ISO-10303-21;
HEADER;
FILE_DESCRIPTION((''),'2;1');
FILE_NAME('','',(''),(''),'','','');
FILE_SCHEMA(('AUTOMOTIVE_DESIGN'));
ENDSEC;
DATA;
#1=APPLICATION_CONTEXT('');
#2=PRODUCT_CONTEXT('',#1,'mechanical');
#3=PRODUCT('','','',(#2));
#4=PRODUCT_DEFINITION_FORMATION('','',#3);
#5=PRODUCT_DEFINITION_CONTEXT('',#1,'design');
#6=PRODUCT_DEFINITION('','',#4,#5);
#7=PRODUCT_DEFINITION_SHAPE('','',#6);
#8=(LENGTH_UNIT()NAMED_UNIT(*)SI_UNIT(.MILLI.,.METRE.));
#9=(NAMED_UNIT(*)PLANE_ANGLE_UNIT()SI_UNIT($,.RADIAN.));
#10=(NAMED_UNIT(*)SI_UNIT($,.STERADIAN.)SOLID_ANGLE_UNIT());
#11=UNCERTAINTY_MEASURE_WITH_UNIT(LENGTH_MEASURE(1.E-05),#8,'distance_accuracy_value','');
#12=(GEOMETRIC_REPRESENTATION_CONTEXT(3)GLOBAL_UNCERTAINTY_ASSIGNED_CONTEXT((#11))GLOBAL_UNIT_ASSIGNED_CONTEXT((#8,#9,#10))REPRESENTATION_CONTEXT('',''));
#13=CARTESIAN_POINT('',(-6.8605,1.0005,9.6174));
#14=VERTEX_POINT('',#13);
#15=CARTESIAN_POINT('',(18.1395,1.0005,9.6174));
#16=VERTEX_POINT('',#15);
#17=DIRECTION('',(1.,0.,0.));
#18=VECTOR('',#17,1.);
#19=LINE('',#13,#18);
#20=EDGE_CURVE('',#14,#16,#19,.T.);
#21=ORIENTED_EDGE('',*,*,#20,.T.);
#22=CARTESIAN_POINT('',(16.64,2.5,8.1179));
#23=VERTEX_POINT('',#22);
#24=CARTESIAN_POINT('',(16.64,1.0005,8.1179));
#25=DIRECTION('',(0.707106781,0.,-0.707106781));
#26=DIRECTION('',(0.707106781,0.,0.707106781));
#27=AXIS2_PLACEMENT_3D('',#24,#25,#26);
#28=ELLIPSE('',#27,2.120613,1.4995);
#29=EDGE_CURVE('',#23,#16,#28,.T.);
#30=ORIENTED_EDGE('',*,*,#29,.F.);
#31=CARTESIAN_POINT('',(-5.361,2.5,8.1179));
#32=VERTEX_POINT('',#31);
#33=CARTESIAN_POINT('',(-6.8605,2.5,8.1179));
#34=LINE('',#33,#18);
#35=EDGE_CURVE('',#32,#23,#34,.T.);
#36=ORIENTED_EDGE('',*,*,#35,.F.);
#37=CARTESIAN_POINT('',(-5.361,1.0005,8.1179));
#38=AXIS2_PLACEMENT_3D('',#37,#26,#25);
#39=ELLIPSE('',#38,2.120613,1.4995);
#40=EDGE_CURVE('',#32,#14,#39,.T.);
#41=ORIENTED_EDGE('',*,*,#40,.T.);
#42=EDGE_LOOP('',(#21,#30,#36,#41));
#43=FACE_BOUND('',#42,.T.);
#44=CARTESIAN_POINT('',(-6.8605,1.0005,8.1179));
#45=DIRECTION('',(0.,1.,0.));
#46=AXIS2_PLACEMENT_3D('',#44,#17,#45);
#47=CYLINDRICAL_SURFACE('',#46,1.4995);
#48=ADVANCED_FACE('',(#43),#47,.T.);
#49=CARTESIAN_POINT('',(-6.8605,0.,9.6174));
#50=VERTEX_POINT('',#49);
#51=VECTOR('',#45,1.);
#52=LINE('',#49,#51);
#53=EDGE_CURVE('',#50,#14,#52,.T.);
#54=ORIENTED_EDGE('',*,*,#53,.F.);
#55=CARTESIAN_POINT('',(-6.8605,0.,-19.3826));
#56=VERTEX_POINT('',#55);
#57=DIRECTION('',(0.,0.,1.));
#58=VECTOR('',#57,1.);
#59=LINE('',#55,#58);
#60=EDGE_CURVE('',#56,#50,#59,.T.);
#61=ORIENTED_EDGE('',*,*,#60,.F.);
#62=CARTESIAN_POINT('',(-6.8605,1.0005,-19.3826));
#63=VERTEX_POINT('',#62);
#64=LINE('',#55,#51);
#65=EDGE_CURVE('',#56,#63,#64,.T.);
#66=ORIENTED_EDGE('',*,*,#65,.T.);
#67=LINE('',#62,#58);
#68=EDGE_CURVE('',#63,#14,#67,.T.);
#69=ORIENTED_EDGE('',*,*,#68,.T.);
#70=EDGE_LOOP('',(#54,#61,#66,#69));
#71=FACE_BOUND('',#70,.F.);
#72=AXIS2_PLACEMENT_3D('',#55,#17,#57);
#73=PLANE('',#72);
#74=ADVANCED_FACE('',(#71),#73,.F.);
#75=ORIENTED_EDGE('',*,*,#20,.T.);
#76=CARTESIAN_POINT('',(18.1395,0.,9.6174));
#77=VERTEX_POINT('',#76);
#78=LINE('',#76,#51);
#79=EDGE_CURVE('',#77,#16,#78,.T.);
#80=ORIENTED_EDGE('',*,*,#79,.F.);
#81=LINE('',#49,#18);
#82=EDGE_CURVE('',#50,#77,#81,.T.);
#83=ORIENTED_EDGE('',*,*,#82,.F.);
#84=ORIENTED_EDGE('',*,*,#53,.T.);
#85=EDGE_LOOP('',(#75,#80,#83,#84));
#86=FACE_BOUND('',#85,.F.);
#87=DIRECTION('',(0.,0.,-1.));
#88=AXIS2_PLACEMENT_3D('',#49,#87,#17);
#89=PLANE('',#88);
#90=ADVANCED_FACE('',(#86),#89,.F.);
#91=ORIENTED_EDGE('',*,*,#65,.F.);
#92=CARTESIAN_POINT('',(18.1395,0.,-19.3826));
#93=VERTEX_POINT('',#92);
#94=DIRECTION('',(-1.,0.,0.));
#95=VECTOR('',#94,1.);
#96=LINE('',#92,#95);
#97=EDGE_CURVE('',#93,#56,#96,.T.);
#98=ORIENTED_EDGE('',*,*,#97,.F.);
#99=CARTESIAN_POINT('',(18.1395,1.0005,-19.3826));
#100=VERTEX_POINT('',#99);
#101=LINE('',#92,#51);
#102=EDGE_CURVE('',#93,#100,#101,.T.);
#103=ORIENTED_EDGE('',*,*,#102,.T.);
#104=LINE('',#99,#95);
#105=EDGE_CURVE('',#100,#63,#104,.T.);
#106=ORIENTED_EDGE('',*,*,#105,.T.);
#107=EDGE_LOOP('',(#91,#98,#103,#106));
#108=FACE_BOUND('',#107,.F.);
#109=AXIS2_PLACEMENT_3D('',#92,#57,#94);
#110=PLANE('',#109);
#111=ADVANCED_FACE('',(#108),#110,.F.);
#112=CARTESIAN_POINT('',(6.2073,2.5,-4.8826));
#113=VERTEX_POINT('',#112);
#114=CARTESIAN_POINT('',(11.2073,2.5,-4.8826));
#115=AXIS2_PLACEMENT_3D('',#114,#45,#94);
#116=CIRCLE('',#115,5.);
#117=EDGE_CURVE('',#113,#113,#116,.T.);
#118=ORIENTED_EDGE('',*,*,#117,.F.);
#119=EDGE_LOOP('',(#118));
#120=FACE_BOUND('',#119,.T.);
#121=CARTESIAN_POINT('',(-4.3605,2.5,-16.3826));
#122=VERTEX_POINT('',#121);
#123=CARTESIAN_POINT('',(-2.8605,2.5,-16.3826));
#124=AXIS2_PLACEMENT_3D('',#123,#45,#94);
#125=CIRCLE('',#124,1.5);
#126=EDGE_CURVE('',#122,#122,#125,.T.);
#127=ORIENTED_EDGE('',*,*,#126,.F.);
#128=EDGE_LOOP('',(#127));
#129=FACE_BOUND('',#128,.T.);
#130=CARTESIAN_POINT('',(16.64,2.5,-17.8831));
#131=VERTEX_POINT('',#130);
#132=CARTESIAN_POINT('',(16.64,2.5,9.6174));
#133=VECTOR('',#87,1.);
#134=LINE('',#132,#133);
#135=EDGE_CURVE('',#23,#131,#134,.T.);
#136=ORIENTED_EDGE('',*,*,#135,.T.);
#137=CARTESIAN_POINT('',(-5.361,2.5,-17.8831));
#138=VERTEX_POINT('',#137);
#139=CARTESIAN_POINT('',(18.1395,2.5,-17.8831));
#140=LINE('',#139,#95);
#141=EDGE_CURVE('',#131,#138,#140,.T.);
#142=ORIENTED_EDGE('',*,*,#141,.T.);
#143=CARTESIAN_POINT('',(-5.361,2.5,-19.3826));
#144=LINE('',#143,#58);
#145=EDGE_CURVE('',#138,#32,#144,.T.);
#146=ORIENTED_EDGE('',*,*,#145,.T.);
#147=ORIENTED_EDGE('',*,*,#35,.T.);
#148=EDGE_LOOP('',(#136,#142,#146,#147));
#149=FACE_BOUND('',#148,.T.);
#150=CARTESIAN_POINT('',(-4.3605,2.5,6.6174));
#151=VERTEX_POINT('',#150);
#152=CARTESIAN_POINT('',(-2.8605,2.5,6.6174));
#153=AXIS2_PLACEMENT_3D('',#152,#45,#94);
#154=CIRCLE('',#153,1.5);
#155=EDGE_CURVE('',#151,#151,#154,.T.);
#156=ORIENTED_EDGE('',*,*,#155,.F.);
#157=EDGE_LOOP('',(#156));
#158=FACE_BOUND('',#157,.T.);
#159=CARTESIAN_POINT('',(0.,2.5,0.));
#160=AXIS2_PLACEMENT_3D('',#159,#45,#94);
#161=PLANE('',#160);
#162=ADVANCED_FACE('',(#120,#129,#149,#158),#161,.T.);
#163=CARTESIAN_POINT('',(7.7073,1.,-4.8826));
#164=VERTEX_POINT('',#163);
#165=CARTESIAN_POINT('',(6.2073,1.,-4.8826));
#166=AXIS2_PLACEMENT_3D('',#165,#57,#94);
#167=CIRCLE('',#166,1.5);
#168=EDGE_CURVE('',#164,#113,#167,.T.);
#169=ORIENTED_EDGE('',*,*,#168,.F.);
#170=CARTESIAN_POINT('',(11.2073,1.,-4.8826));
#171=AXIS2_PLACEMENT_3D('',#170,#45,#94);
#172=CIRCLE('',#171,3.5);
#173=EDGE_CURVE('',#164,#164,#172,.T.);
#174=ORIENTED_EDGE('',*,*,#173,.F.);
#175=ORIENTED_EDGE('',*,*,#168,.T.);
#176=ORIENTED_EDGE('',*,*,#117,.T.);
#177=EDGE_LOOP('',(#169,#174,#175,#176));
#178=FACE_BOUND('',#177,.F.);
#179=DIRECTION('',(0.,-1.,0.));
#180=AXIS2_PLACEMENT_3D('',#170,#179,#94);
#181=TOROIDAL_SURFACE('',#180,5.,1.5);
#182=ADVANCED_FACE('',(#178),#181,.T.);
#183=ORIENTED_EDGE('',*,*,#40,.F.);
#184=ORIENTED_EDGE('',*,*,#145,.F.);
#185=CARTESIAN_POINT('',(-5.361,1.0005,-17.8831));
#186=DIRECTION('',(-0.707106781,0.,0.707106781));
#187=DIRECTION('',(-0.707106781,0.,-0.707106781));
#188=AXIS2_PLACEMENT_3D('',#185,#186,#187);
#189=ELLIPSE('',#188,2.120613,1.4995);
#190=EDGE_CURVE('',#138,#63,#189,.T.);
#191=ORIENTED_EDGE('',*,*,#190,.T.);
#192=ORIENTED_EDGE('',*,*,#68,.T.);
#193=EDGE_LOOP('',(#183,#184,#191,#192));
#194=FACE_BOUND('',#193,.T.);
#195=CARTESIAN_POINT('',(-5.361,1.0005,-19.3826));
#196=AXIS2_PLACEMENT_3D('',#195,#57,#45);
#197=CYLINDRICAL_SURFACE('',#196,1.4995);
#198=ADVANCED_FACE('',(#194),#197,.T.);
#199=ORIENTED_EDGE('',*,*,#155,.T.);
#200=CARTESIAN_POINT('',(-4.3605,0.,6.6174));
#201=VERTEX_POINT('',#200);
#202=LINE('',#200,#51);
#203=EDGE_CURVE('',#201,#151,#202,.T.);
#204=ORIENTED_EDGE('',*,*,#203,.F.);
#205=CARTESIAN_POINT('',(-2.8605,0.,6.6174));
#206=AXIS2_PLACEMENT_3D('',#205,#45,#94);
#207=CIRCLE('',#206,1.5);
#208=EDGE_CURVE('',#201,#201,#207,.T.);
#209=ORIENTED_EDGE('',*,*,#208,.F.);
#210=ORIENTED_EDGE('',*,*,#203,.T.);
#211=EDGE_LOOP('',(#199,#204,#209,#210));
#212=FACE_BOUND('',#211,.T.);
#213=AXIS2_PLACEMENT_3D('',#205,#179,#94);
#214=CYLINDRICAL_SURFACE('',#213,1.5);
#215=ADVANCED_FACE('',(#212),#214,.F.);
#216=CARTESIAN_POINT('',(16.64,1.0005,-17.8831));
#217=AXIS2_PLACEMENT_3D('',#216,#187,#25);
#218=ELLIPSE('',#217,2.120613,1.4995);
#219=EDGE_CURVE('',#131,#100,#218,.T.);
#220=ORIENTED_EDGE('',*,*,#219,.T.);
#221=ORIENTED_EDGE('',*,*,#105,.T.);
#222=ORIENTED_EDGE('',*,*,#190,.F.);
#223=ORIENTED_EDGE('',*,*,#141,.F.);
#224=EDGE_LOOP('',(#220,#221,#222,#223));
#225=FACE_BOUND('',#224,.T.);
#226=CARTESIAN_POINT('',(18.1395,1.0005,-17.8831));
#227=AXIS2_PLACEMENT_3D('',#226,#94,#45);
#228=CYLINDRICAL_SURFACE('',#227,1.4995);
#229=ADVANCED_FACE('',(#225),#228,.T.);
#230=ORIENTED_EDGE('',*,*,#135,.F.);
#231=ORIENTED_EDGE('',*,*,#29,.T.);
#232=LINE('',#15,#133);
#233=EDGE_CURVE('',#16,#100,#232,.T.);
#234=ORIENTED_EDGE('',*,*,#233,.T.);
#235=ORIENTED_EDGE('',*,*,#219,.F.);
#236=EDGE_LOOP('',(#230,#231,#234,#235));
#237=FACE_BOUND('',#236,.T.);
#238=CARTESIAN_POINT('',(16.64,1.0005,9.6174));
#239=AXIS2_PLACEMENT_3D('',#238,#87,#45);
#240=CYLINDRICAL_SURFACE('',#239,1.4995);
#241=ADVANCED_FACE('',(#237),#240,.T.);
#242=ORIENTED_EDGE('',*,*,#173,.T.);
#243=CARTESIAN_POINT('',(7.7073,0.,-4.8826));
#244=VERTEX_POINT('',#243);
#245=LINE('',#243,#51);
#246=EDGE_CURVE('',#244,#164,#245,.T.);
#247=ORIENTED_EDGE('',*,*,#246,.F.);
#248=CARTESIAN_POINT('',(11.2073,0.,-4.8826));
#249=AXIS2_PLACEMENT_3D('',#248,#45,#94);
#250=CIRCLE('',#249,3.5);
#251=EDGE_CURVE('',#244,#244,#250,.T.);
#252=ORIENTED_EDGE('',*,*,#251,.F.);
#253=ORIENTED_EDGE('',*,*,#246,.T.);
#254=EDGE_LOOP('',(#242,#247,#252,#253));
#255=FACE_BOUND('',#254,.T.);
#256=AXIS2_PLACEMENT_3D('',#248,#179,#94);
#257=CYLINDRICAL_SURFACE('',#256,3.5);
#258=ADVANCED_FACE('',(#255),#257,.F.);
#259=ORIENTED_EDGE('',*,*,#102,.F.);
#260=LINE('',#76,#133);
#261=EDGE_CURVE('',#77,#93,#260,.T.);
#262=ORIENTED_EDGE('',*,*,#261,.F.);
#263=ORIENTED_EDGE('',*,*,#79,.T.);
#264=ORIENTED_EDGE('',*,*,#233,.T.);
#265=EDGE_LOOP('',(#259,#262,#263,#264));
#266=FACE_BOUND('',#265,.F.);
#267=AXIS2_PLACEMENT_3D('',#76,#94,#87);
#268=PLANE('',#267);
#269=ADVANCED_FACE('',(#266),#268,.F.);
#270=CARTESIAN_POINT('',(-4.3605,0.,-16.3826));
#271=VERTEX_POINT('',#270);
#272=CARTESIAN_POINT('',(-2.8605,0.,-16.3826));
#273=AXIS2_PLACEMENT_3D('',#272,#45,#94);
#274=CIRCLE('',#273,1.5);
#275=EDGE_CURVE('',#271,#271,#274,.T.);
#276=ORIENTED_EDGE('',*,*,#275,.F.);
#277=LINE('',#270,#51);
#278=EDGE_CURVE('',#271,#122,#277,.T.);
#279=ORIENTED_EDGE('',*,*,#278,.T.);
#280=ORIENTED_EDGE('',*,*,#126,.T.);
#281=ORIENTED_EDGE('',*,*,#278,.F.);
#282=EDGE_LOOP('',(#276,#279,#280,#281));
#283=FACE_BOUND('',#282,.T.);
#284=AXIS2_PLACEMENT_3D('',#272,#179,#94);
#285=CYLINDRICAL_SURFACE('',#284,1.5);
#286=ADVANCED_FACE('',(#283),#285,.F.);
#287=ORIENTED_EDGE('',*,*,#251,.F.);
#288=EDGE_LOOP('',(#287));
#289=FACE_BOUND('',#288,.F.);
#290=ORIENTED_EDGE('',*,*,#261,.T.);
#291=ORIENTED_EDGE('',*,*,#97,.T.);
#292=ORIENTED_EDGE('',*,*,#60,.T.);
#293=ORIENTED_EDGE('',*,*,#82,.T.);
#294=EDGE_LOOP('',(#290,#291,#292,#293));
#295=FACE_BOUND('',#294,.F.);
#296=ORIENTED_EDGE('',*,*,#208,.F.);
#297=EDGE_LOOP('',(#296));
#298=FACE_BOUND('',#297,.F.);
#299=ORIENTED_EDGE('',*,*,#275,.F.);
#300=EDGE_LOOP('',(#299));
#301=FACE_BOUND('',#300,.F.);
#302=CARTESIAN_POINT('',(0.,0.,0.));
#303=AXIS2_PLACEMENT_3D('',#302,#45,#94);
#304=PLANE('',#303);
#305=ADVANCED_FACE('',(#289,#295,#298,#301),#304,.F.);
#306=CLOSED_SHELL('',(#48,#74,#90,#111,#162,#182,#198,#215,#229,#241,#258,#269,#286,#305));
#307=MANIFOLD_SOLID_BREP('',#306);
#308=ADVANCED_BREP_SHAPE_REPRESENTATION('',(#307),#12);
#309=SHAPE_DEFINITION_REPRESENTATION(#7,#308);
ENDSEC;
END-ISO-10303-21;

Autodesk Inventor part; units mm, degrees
ref_plane "YZ Plane" through (0, 0, 0) normal (1, 0, 0) x (0, 1, 0)
ref_plane "XZ Plane" through (0, 0, 0) normal (0, 1, 0) x (-1, 0, 0)
ref_plane "XY Plane" through (0, 0, 0) normal (0, 0, 1) x (1, 0, 0)
sketch "Эскиз1" plane through (0, 0, 0) normal (0, 1, 0) x (-1, 0, 0)
  line L0 (6.8605, 9.6174) -> (-18.1395, 9.6174)
  line L1 (-18.1395, 9.6174) -> (-18.1395, -19.3826)
  line L2 (-18.1395, -19.3826) -> (6.8605, -19.3826)
  line L3 (6.8605, -19.3826) -> (6.8605, 9.6174)
  circle A0 centre (2.8605, 6.6174) radius 1.5
  circle A1 centre (2.8605, -16.3826) radius 1.5
  circle A2 centre (-11.2073, -4.8826) radius 3.5
  point P0 (0, 0)
  dimension "d0" = 3
  dimension "d1" = 3
  dimension "d2" = 23
  dimension "d3" = 3
  dimension "d4" = 3
  dimension "d5" = 25
  dimension "d6" = 4
  dimension "d7" = 7
extrude "Выдавливание1" add sketch "Эскиз1" along normal blind 2.5
fillet "Сопряжение1" radius 1.5 1 edges at (14.7073, 2.5, -4.8826)
fillet "Сопряжение2" radius 1.5 4 edges at (5.6395, 2.5, 9.6174) (18.1395, 2.5, -4.8826) (5.6395, 2.5, -19.3826) (-6.8605, 2.5, -4.8826)
